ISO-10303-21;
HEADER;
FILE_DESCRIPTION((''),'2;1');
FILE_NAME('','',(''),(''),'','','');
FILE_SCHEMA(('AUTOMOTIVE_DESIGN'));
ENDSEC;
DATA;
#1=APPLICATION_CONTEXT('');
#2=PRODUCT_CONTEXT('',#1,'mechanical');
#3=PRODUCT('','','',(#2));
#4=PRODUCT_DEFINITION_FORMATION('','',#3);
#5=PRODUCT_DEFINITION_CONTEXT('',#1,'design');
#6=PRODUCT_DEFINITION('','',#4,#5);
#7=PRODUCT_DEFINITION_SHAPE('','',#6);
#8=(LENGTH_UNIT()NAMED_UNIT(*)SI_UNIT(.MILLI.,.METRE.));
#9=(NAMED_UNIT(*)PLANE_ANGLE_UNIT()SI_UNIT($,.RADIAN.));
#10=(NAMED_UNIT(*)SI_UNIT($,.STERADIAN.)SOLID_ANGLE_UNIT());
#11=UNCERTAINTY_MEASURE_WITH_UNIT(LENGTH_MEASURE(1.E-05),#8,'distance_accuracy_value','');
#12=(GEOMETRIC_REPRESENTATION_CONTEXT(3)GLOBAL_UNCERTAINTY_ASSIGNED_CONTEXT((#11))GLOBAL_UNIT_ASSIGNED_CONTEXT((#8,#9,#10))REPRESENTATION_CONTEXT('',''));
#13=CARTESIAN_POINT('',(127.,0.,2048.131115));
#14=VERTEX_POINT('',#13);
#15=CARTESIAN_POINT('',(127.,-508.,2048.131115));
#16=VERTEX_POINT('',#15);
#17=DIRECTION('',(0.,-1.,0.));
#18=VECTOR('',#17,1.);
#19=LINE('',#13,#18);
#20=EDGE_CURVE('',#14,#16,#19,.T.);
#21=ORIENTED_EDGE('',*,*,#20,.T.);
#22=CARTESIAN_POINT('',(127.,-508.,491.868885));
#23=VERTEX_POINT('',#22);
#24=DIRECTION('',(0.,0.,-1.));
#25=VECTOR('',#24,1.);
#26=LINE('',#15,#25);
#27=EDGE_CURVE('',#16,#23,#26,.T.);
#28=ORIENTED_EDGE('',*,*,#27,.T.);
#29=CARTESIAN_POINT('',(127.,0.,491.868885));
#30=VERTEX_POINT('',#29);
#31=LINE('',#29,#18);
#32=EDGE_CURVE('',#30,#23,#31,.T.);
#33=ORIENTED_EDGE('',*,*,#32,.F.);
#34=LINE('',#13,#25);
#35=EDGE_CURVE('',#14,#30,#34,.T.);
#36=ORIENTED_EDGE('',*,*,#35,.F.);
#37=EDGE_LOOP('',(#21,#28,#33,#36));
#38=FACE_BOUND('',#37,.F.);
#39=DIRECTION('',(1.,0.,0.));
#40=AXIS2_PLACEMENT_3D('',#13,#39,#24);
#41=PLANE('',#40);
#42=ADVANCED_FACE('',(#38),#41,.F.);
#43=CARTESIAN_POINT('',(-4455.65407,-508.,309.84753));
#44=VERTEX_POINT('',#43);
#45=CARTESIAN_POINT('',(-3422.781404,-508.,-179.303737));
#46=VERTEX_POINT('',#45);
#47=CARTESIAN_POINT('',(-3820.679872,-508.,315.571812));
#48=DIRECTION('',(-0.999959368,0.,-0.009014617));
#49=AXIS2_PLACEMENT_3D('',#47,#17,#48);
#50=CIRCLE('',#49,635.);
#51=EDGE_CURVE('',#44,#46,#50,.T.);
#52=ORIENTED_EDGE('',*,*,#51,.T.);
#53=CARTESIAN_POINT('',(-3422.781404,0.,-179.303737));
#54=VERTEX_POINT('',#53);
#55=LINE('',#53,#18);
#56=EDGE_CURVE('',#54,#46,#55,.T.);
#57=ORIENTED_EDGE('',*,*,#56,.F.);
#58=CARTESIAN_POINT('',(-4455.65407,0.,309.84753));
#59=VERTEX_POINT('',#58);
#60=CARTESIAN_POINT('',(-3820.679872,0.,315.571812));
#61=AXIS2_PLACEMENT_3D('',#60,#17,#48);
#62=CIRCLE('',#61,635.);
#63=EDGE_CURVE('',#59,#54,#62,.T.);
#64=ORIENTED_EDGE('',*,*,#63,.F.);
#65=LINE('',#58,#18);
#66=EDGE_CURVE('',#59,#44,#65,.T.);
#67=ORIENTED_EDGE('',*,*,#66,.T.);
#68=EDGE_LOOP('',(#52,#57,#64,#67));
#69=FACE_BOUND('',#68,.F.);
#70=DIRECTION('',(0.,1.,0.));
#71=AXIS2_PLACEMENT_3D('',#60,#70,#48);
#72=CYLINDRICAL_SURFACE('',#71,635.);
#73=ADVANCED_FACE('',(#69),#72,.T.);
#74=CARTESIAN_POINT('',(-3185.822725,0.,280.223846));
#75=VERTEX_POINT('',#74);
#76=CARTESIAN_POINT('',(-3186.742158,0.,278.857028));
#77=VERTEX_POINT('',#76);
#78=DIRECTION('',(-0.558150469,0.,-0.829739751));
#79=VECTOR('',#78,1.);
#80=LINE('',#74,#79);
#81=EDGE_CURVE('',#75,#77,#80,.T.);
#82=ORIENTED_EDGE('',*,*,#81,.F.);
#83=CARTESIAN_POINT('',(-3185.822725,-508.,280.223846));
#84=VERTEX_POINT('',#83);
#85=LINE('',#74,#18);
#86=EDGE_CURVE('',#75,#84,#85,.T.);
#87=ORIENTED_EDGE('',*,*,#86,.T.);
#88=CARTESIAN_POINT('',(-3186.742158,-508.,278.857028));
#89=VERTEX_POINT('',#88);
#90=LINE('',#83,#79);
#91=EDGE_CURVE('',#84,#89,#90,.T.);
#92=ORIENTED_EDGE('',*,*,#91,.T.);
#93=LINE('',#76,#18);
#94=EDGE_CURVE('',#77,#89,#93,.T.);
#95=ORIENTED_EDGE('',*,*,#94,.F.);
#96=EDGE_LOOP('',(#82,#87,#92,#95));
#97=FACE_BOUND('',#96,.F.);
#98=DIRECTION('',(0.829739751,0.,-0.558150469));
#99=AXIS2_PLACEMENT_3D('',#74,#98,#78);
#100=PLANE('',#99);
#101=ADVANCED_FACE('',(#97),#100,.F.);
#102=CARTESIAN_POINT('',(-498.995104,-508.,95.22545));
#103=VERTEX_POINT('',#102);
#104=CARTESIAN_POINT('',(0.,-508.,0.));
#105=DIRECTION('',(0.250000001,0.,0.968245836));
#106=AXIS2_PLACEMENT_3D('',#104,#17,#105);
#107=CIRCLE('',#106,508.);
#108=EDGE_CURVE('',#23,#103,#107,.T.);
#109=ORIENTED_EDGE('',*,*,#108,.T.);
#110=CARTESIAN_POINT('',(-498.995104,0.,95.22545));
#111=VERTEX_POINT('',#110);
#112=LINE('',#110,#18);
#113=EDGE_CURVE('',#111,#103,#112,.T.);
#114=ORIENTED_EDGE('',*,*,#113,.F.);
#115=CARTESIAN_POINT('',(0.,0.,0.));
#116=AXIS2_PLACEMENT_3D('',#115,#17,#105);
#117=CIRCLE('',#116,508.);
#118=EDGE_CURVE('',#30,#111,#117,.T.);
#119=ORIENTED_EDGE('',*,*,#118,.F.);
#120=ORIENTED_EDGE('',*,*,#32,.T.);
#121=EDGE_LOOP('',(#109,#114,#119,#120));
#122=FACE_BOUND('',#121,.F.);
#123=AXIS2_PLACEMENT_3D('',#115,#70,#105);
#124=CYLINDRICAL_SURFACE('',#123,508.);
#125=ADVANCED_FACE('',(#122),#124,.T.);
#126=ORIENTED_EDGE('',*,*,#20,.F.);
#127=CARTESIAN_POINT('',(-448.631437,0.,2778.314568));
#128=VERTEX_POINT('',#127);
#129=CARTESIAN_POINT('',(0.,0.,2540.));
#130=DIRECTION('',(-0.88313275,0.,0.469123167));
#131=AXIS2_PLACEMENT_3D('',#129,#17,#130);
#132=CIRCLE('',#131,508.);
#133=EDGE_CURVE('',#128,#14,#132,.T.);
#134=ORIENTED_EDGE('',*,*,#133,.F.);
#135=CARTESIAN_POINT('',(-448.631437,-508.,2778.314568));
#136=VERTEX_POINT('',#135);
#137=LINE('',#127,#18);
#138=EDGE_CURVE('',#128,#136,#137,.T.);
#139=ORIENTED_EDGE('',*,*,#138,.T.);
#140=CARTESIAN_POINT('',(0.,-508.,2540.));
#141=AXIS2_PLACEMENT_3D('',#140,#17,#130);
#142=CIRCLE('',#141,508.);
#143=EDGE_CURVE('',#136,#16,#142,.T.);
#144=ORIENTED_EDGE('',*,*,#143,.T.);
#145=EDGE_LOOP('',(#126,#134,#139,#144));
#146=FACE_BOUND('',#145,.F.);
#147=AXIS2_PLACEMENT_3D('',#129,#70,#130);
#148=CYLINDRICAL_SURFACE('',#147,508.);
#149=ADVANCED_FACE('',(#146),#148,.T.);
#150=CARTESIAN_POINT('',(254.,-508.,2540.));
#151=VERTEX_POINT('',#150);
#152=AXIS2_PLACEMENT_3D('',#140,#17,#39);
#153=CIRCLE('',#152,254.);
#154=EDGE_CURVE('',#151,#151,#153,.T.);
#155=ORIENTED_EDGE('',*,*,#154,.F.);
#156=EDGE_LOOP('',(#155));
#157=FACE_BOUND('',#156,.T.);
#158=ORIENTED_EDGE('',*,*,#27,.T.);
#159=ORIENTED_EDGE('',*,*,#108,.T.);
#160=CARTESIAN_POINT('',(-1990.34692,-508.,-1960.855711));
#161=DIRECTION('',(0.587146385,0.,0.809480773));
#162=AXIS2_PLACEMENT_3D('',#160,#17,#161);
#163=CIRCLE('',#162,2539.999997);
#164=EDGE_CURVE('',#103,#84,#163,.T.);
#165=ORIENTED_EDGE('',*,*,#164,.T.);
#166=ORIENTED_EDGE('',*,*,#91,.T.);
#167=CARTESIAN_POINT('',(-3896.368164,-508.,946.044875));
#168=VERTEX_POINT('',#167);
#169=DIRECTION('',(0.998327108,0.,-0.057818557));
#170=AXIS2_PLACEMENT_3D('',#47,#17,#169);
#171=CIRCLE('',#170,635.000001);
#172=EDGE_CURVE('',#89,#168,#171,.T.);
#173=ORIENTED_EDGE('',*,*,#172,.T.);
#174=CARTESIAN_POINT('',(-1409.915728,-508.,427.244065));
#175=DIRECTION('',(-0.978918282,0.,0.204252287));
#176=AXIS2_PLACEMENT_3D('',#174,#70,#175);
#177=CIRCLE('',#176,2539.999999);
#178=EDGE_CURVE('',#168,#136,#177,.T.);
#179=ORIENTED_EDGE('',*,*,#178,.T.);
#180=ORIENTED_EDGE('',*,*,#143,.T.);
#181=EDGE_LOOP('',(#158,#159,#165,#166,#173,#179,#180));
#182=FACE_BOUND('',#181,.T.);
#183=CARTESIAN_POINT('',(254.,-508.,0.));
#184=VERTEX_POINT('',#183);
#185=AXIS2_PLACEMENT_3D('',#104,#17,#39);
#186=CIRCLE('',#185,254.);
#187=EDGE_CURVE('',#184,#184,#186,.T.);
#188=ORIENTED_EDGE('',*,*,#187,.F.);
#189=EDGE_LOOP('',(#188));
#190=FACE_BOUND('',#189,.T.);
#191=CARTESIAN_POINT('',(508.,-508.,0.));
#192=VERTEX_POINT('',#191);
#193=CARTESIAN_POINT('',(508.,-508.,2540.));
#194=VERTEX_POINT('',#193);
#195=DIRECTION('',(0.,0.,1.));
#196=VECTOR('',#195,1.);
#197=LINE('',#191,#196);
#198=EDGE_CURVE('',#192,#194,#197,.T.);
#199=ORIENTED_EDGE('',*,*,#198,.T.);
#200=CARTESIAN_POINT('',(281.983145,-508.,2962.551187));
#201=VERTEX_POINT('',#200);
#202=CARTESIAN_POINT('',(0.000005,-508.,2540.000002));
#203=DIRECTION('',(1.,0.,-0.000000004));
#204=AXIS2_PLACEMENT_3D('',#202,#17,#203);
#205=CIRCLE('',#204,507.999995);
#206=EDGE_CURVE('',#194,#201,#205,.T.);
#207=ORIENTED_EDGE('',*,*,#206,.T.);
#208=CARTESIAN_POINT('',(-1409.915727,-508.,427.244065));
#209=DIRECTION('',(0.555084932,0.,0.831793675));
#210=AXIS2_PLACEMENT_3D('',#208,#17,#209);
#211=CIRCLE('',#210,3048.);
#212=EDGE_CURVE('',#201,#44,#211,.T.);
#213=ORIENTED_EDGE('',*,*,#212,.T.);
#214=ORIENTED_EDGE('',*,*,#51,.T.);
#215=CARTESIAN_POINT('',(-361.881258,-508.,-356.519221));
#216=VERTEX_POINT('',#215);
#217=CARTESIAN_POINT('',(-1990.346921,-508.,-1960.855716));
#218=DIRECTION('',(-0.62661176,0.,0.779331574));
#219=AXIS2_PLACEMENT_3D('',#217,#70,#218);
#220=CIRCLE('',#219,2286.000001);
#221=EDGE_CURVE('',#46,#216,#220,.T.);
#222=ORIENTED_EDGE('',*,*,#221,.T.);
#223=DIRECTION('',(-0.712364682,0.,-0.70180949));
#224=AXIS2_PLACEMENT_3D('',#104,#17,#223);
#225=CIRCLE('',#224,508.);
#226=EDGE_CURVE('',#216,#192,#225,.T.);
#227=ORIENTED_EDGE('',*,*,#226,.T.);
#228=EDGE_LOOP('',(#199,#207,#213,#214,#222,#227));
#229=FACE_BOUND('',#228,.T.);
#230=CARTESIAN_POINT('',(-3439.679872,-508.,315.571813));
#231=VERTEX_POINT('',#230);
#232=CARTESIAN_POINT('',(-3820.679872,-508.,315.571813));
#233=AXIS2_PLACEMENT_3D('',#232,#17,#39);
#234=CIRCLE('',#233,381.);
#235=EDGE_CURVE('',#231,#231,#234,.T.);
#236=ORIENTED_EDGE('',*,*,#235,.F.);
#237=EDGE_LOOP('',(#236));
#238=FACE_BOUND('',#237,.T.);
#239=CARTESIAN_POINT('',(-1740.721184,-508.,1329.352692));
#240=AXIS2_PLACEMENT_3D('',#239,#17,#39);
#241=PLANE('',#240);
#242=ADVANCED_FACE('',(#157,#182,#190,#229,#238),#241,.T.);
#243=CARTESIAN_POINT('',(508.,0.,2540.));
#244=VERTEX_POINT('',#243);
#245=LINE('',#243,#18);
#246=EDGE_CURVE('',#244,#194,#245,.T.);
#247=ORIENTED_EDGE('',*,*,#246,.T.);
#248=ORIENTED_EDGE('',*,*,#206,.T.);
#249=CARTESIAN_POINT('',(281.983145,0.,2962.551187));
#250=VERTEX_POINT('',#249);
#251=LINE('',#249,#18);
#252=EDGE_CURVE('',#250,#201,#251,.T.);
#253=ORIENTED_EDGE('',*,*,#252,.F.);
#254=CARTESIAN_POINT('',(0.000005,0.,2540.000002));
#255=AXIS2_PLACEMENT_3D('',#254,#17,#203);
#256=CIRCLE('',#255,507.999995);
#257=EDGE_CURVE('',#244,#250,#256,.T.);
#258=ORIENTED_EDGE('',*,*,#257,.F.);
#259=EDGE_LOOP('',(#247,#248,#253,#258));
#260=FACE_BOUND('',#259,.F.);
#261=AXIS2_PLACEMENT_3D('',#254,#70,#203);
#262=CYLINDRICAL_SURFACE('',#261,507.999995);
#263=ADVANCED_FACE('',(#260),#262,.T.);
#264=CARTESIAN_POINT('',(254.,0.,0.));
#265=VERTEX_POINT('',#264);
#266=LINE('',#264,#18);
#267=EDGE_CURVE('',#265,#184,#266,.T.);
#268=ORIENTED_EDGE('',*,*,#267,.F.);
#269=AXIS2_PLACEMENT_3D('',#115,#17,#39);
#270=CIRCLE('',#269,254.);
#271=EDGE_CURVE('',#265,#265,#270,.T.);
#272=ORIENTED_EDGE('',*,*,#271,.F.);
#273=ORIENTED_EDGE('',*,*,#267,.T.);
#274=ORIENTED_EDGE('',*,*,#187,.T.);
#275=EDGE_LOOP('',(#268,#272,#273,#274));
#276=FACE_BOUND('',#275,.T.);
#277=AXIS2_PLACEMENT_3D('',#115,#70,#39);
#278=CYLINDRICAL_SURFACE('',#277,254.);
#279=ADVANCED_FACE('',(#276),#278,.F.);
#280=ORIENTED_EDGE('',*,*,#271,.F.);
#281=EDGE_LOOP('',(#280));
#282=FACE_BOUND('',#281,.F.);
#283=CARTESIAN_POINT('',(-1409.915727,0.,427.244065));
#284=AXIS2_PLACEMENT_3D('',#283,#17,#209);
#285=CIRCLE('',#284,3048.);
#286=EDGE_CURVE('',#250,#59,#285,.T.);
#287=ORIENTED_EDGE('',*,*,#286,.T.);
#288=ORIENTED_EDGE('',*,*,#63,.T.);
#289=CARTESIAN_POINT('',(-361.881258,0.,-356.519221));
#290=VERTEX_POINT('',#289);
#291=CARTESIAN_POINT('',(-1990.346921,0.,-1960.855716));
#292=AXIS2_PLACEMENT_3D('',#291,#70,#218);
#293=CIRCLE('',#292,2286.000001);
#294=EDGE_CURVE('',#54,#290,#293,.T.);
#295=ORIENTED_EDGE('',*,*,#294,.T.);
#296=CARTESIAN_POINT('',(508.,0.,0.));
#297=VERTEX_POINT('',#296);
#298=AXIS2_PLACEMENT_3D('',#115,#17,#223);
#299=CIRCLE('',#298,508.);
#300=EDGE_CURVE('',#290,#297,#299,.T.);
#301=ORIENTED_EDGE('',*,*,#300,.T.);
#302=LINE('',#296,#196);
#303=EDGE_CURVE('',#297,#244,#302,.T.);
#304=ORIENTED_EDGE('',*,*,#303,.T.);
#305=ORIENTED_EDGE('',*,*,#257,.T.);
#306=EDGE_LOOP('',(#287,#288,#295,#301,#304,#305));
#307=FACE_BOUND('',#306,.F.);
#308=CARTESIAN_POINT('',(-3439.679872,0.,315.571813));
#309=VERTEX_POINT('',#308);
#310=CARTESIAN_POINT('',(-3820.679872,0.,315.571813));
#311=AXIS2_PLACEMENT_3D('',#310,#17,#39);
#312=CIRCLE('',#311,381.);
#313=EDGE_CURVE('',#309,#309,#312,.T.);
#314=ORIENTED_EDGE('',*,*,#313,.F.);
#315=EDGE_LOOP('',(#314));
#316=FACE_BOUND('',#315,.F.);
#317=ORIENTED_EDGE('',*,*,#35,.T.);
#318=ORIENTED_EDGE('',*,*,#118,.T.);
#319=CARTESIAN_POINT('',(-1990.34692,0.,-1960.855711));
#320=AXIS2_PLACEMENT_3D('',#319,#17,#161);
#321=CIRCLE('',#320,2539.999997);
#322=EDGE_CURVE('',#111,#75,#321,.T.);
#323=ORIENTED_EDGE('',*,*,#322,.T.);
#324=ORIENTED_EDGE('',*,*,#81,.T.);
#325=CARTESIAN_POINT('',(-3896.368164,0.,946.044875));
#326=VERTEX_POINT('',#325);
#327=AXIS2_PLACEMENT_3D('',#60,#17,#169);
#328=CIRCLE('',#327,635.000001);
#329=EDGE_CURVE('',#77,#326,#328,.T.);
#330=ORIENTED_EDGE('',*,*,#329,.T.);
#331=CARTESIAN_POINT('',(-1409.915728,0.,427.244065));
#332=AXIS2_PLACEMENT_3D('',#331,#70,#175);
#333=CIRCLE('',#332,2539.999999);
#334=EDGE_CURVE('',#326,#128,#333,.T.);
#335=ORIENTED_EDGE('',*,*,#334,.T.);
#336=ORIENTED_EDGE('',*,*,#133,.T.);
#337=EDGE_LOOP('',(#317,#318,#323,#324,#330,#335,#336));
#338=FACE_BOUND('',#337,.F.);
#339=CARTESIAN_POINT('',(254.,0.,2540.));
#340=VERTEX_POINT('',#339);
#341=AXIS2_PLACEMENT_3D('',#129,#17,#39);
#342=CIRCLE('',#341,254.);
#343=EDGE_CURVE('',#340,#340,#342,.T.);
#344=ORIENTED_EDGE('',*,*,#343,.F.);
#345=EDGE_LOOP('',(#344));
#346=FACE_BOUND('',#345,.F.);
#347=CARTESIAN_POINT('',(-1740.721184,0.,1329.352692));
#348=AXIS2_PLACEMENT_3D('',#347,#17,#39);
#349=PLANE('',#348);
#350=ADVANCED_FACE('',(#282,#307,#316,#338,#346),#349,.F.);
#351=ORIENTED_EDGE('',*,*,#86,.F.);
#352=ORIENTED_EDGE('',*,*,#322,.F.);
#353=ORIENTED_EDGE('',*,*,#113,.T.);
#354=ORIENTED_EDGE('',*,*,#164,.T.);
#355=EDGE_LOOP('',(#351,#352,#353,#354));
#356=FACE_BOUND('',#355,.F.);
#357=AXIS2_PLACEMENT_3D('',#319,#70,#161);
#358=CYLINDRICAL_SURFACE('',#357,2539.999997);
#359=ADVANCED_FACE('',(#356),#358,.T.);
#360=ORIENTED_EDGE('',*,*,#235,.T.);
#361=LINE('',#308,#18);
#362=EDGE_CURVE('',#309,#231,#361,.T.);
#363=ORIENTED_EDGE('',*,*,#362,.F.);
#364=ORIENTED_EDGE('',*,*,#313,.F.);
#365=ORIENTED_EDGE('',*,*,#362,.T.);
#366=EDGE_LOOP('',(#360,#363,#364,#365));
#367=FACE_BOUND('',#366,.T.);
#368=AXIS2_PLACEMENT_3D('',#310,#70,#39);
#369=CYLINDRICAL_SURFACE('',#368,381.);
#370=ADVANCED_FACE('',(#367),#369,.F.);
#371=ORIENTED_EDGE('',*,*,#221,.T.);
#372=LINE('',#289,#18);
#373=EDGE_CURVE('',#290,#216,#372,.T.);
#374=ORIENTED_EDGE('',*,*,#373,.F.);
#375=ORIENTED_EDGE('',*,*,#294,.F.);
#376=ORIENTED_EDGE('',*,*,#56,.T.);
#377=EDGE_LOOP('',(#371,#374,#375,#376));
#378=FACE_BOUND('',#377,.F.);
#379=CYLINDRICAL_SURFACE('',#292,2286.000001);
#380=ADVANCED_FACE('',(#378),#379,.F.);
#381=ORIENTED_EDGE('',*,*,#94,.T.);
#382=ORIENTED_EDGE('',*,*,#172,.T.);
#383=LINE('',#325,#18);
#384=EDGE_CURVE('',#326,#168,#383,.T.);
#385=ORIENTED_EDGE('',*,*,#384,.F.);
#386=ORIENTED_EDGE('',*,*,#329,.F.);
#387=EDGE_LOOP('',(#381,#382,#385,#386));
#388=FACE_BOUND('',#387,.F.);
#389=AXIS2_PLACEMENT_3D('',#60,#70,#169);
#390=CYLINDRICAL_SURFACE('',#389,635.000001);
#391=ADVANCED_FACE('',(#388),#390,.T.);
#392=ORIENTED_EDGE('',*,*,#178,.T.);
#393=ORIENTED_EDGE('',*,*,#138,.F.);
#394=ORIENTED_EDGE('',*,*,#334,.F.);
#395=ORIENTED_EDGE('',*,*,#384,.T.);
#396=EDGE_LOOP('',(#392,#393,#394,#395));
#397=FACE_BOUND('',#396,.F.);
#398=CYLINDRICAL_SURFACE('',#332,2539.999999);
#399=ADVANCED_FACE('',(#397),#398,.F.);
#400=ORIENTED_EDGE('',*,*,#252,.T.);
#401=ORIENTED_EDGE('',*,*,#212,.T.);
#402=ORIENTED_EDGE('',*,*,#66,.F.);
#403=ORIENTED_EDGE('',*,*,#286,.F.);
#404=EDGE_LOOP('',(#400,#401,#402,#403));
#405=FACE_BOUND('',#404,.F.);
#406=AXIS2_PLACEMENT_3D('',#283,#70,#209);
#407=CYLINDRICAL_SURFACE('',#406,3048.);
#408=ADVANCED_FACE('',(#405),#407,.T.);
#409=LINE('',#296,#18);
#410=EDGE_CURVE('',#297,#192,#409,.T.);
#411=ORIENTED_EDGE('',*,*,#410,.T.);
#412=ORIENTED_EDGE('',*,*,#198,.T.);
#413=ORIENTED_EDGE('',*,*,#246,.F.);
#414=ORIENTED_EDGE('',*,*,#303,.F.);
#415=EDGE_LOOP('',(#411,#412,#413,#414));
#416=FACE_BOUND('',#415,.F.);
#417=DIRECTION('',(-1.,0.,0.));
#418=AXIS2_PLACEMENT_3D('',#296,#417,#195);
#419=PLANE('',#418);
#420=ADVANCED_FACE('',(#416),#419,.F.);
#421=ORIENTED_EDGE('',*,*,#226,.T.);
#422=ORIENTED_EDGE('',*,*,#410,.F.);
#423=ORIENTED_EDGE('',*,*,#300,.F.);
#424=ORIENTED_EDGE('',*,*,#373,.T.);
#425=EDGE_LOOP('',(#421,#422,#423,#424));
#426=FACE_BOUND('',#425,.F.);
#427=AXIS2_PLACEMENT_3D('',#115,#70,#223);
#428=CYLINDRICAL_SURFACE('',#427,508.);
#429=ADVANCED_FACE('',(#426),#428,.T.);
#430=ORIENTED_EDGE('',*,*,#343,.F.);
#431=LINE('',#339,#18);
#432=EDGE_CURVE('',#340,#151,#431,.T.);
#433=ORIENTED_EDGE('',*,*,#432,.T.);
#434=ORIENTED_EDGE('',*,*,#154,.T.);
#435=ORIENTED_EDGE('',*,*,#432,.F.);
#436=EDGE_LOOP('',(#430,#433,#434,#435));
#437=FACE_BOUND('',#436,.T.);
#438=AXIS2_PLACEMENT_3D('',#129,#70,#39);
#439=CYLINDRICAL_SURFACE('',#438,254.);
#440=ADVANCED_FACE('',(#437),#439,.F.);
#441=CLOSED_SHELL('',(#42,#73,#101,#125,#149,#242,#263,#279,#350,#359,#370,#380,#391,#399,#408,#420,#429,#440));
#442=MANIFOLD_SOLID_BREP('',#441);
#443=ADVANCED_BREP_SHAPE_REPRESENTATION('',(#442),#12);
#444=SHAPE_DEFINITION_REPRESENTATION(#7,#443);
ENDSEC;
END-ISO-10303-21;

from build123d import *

# Parameters (mm, degrees)
F0_R     = 381
F0_R_2   = 254
F1_DEPTH = 508


with BuildPart() as f1:
    # F0 (on Front) → F1 (new body)
    with BuildSketch(Plane.XZ):
        with BuildLine():
            ThreePointArc((508, 2459.000759), (505.168538, 2461.669846), (502.333361, 2464.334987))
            ThreePointArc((502.333361, 2464.334987), (506.581359, 2502.061546), (508, 2540))
            ThreePointArc((508, 2540), (447.946112, 2779.600253), (281.983145, 2962.551187))
            ThreePointArc((281.983145, 2962.551187), (-2899.019317, 3086.731703), (-4455.65407, 309.84753))
            ThreePointArc((-4455.65407, 309.84753), (-4092.46741, -258.324114), (-3422.781404, -179.303737))
            ThreePointArc((-3422.781404, -179.303737), (-1858.216728, 321.322545), (-361.881258, -356.519221))
            ThreePointArc((-361.881258, -356.519221), (192.650358, -470.053018), (508, 0))
            Line((508, 0), (508, 2459.000759))
        make_face()
        with Locations((-3820.679872, 315.571813)):
            Circle(F0_R, mode=Mode.SUBTRACT)
        Circle(F0_R_2, mode=Mode.SUBTRACT)
        with BuildLine():
            Line((127, 2048.131115), (127, 491.868885))
            ThreePointArc((127, 491.868885), (-271.894452, 429.112348), (-498.995104, 95.22545))
            ThreePointArc((-498.995104, 95.22545), (-1815.871262, 573.144728), (-3185.822725, 280.223846))
            Line((-3185.822725, 280.223846), (-3186.742158, 278.857028))
            ThreePointArc((-3186.742158, 278.857028), (-3385.71377, 778.205026), (-3896.368164, 946.044875))
            ThreePointArc((-3896.368164, 946.044875), (-2601.904622, 2670.180193), (-448.631437, 2778.314568))
            ThreePointArc((-448.631437, 2778.314568), (-398.940678, 2225.499864), (127, 2048.131115))
        make_face(mode=Mode.SUBTRACT)
        with Locations((0, 2540)):
            Circle(F0_R_2, mode=Mode.SUBTRACT)
        with BuildLine():
            ThreePointArc((508, 2540), (506.581359, 2502.061546), (502.333361, 2464.334987))
            ThreePointArc((502.333361, 2464.334987), (505.168538, 2461.669846), (508, 2459.000759))
            Line((508, 2459.000759), (508, 2540))
        make_face()
    extrude(amount=F1_DEPTH)


solid = f1.part
